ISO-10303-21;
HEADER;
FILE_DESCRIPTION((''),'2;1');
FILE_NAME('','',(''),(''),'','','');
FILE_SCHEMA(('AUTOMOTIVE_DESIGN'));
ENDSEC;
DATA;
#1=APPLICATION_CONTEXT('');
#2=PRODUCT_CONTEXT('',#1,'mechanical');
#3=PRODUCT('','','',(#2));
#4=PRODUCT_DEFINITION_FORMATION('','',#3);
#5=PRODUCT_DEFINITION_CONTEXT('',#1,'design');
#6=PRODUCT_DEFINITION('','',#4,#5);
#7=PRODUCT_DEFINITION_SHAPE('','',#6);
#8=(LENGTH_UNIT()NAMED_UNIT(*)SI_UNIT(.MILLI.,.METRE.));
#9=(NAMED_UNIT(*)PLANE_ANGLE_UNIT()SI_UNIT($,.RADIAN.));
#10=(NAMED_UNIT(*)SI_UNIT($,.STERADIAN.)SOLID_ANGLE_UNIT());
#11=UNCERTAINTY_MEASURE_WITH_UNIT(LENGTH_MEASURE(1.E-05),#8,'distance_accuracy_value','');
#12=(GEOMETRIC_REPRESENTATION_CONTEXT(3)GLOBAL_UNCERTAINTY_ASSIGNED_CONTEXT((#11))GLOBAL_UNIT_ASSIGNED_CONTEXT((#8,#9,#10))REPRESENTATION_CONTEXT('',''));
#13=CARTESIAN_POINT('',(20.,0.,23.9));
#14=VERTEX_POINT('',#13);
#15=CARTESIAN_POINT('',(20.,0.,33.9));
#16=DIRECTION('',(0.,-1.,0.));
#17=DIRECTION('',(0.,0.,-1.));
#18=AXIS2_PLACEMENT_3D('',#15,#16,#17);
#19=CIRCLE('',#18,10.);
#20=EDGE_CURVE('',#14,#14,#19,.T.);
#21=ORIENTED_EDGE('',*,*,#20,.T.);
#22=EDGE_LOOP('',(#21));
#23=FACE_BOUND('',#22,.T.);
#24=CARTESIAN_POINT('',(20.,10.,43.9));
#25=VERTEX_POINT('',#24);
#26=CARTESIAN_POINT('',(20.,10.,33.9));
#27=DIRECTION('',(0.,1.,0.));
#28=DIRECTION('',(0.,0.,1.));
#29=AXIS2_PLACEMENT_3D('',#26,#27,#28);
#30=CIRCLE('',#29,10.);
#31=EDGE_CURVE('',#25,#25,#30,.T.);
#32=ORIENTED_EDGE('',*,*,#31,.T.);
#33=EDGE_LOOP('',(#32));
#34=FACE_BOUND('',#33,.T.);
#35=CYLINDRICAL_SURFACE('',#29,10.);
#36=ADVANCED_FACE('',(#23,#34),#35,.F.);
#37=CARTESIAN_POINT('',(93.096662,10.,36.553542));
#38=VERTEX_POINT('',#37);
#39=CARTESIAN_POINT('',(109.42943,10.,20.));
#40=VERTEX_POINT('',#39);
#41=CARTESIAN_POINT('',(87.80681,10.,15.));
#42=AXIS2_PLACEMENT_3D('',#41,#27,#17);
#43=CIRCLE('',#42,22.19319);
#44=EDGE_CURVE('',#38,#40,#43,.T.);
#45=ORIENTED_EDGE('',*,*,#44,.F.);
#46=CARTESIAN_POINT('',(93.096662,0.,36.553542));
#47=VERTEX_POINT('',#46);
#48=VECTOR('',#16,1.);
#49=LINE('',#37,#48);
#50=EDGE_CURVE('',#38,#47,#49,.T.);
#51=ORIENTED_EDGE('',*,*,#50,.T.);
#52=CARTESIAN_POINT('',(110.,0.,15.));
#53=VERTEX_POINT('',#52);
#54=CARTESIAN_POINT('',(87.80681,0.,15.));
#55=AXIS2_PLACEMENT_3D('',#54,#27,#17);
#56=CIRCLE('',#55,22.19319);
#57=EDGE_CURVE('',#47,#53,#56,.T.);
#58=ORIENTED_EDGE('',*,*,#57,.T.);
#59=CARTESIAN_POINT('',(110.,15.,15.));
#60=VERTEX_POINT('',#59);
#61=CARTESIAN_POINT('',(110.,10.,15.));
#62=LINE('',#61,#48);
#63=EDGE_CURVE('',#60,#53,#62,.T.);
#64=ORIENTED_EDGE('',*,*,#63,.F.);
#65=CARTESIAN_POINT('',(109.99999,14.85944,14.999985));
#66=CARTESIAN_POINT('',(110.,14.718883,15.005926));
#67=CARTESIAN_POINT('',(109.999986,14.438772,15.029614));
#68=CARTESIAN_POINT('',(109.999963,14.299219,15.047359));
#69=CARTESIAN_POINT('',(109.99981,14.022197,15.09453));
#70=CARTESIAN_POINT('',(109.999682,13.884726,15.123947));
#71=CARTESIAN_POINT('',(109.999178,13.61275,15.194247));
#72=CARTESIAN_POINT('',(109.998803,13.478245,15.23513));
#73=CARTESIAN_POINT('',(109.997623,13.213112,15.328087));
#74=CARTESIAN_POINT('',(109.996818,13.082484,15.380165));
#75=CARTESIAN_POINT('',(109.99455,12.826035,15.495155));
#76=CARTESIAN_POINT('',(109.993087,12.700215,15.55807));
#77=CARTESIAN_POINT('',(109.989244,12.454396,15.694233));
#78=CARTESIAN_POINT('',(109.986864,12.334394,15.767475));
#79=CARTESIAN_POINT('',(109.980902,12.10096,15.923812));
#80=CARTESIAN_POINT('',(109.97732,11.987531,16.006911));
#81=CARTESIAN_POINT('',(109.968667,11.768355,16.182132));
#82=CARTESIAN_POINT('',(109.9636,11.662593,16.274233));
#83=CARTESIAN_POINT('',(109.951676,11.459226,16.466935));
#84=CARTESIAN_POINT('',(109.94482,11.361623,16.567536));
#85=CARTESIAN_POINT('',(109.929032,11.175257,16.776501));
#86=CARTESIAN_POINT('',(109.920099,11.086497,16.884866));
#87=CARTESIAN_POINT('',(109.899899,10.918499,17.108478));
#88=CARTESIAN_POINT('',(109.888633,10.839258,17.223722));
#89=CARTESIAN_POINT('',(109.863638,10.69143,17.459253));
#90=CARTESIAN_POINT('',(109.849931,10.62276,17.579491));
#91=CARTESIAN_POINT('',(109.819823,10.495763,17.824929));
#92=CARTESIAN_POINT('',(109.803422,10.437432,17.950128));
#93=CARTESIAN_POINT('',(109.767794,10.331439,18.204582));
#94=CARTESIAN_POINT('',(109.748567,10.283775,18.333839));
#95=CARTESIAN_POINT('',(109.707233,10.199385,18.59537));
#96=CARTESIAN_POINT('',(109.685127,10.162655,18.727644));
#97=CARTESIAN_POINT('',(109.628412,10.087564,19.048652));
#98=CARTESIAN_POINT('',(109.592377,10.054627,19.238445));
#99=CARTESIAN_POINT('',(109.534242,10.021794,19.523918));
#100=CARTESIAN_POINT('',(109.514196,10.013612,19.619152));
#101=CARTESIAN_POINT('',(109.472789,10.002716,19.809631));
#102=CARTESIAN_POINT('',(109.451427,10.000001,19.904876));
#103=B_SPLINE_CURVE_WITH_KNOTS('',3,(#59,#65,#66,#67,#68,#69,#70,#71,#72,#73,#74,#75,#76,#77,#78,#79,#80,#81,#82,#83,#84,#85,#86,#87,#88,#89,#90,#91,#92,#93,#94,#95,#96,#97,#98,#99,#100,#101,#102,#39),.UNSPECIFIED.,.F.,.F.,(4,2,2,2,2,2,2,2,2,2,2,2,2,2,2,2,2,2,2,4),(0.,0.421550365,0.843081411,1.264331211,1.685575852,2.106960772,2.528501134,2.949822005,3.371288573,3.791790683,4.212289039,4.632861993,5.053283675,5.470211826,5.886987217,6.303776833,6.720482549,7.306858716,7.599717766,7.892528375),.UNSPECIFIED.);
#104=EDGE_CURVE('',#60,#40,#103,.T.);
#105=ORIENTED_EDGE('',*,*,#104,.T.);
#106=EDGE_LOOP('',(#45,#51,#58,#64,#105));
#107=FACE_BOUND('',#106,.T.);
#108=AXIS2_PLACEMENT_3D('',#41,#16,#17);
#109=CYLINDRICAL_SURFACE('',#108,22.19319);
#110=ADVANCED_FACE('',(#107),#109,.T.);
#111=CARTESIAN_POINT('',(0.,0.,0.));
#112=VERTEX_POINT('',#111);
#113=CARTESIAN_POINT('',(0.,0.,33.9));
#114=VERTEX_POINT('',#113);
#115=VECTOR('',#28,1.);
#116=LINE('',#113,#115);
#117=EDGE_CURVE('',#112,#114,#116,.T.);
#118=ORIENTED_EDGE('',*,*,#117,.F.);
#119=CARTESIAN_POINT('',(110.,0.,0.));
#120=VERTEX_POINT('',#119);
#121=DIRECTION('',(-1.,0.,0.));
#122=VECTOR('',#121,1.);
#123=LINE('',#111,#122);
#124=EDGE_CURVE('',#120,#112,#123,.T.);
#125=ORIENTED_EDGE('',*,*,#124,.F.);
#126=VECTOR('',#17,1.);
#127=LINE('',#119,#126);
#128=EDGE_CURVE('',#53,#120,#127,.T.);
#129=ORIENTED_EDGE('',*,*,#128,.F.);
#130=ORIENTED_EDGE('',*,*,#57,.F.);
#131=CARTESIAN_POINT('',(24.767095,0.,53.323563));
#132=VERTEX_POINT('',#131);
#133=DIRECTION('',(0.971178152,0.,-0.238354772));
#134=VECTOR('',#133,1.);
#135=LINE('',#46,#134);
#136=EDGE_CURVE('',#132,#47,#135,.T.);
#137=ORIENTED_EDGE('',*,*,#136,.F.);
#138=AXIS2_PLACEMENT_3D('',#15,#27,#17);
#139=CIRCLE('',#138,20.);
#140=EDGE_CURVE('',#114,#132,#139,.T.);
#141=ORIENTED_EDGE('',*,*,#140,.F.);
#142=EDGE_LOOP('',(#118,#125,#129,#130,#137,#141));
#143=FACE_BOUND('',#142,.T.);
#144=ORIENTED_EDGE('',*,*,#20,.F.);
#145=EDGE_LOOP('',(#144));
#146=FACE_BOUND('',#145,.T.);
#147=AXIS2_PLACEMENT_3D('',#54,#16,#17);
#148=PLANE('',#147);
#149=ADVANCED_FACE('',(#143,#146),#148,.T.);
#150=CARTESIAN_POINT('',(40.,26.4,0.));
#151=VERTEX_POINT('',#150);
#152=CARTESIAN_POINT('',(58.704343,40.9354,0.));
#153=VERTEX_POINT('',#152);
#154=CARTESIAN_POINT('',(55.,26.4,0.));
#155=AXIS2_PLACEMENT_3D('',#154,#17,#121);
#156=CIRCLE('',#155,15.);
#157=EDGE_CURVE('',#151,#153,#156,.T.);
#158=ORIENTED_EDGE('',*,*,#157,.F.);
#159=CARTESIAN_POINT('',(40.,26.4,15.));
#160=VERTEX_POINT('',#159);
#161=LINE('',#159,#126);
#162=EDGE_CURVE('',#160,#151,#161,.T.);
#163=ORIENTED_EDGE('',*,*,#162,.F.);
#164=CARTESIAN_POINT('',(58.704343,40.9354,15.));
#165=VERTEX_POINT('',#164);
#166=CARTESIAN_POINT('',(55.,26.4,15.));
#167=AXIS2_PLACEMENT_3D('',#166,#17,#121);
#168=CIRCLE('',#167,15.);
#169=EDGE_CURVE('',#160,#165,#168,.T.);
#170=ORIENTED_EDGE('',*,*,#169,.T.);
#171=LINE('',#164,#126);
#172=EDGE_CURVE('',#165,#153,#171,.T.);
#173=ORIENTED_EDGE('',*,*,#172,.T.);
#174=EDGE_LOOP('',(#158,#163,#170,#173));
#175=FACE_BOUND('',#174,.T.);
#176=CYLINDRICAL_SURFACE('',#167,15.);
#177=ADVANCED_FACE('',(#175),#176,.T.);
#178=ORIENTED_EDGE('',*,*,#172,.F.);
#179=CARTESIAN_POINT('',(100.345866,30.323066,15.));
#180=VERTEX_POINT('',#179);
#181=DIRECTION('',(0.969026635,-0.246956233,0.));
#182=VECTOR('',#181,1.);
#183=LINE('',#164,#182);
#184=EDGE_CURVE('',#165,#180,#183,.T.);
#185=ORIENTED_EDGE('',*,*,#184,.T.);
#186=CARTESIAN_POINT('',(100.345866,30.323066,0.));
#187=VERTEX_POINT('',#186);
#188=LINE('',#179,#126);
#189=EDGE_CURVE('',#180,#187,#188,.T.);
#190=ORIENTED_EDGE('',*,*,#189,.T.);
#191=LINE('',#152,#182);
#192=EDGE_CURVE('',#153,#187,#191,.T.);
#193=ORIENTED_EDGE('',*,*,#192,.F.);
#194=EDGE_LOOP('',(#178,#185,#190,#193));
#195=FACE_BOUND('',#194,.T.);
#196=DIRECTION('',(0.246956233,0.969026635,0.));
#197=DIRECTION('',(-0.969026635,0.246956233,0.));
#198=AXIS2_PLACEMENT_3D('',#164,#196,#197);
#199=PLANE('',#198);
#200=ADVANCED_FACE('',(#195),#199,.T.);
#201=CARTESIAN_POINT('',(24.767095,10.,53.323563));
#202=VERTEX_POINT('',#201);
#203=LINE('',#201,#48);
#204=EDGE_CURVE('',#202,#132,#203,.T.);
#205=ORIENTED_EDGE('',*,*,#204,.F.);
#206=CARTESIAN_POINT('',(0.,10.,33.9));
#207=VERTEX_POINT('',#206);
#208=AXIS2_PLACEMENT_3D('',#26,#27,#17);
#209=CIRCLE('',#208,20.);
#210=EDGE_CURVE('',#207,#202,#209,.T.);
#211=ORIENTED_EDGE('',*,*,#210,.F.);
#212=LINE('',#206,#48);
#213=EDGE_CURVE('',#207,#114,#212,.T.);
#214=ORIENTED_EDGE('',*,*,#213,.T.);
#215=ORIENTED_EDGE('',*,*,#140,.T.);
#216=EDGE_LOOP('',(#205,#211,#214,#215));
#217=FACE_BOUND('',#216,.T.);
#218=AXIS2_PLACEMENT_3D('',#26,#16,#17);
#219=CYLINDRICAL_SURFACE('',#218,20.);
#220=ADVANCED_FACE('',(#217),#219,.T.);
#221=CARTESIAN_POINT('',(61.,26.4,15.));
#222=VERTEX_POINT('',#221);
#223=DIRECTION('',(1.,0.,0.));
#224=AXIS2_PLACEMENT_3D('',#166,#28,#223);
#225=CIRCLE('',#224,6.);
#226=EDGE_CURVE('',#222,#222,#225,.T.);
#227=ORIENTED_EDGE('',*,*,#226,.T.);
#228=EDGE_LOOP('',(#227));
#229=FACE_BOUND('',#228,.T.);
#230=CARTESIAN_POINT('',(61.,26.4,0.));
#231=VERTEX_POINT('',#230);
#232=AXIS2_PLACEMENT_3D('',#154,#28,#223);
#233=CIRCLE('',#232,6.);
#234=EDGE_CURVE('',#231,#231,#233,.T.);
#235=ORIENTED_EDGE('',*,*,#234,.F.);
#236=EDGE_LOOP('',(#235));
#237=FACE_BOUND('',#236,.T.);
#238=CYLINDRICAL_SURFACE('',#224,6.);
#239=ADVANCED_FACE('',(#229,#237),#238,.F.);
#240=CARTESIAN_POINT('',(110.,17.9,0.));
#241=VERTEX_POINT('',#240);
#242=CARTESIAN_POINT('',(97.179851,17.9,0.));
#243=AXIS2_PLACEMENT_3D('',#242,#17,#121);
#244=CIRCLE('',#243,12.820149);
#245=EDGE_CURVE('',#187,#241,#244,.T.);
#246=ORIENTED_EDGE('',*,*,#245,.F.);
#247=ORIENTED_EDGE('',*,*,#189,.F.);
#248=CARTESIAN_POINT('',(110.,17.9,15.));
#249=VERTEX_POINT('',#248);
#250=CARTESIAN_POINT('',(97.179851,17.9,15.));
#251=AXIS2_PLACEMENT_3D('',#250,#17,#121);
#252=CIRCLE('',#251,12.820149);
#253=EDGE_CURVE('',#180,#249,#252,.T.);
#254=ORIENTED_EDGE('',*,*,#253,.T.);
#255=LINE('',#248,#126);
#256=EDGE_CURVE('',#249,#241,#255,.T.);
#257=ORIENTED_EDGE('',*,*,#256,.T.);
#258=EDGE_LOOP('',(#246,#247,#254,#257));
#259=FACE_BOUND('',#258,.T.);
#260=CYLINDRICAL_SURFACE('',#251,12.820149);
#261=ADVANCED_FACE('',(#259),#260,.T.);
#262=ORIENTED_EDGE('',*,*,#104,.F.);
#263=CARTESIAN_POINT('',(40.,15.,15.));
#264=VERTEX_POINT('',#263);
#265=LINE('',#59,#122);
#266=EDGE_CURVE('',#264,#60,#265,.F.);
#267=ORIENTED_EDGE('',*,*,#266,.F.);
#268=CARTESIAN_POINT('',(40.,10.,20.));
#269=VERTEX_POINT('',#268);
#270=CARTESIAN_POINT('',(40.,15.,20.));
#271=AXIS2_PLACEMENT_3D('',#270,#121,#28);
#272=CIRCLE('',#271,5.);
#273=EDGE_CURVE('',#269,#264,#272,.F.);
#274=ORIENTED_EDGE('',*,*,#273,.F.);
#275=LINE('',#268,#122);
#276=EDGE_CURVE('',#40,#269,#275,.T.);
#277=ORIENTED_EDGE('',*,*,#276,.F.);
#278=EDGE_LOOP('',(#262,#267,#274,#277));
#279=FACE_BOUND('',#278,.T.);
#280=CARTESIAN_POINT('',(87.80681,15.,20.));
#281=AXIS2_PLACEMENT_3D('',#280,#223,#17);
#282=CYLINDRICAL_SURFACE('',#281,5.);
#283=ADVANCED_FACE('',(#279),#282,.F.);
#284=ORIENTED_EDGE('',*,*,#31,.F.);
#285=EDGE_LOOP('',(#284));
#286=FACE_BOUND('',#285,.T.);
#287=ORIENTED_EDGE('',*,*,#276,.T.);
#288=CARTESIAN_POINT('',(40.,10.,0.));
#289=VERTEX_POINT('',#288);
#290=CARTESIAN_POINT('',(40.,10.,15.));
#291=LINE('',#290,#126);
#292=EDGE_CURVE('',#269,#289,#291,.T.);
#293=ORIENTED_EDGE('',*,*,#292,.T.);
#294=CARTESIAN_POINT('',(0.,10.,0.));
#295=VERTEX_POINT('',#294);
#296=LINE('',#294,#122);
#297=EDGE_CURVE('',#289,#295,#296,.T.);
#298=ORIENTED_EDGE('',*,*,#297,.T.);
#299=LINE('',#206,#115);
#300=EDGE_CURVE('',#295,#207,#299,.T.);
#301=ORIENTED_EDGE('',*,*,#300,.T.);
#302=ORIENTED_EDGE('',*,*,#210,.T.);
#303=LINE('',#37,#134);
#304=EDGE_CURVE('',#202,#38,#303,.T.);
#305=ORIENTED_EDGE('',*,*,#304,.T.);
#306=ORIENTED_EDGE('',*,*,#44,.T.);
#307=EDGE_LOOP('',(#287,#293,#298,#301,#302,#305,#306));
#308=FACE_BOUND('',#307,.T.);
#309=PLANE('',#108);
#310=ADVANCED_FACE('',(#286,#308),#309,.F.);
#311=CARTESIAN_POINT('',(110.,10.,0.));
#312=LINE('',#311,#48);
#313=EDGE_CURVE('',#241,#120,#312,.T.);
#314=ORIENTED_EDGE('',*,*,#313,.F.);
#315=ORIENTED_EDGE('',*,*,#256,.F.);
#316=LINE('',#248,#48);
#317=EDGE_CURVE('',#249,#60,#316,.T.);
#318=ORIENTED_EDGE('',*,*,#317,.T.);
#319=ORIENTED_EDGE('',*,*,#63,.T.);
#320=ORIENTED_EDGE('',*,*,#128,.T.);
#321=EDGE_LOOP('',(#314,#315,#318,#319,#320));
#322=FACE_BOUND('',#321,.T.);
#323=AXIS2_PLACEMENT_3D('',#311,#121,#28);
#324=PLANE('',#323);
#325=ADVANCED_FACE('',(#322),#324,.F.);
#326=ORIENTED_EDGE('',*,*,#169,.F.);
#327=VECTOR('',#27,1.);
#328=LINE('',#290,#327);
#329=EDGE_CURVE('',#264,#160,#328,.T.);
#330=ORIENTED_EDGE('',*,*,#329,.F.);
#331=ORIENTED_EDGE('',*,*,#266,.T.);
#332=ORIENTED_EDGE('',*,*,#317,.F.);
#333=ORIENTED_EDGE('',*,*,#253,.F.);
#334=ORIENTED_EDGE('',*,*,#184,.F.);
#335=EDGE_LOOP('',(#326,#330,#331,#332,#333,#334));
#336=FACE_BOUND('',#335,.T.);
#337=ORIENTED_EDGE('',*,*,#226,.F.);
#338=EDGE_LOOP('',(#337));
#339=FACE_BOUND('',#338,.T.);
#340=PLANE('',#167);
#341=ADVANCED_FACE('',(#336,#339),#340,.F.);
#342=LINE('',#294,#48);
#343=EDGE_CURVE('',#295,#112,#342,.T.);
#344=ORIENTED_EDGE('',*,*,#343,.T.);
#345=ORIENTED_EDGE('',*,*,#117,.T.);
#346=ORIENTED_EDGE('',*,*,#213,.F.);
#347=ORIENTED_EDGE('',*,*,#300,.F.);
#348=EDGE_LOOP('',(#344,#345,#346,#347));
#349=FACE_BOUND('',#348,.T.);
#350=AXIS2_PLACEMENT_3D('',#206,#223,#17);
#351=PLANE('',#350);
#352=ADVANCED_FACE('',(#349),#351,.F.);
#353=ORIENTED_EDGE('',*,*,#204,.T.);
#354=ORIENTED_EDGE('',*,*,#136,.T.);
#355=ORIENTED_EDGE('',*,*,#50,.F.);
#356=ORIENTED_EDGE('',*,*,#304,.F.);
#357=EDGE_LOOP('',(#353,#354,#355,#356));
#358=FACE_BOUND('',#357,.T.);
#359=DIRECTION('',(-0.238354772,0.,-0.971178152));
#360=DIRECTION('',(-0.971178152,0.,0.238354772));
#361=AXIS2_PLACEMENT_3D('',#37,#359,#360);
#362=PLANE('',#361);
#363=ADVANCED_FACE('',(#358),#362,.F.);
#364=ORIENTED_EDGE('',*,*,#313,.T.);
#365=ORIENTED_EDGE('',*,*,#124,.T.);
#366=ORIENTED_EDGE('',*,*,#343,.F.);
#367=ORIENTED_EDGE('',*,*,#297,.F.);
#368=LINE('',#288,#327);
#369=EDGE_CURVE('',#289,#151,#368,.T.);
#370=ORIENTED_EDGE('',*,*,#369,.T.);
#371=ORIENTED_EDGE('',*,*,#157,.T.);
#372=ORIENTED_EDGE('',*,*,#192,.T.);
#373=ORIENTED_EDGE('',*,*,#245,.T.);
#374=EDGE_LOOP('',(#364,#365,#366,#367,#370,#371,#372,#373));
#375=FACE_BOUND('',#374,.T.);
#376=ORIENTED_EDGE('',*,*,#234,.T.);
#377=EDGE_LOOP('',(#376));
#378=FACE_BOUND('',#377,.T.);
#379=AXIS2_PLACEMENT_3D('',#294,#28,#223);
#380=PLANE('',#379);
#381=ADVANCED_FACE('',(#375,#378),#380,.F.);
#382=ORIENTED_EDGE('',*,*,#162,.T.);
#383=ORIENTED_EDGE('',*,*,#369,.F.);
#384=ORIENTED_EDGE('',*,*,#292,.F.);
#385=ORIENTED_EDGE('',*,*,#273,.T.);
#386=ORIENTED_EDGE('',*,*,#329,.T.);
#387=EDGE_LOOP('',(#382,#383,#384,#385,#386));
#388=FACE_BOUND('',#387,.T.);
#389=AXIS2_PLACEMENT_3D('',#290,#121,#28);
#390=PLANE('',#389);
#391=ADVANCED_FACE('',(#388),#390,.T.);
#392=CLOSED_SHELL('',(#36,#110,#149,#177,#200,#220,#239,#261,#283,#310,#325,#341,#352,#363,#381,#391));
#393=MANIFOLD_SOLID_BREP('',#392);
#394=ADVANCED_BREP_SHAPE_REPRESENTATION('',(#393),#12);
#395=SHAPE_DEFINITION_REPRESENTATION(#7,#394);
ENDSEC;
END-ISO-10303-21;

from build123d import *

# Parameters (mm, degrees)
BOSS_EXTRUDE1_DEPTH        = 10
BOSS_EXTRUDE2_DEPTH        = 15
F_20_0_20_DIAMETER_HOLE1_D = 20
F_12_0_12_DIAMETER_HOLE1_D = 12
FILLET1_R                  = 5


with BuildPart() as part:
    # Sketch2 → Boss-Extrude1 (new body)
    with BuildSketch(Plane(origin=(0, 0, 0), x_dir=(1, 0, 0), z_dir=(0, 1, 0))):
        with BuildLine():
            Line((0, 0), (110, 0))
            Line((110, 0), (110, -15))
            ThreePointArc((110, -15), (105.270148503, -28.695601287), (93.096662434, -36.553541647))
            Line((93.096662434, -36.553541647), (24.767095445, -53.323563036))
            ThreePointArc((24.767095445, -53.323563036), (7.657834649, -49.637565074), (0, -33.9))
            Line((0, -33.9), (0, 0))
        make_face()
    extrude(amount=BOSS_EXTRUDE1_DEPTH)

    # Sketch4 → Boss-Extrude2 (add)
    with BuildSketch(Plane(origin=(0, 0, 0), x_dir=(-1, 0, 0), z_dir=(0, 0, -1))):
        with BuildLine():
            Line((-110, 10), (-40, 10))
            Line((-40, 10), (-40, 26.4))
            ThreePointArc((-40, 26.4), (-45.795793145, 38.24409457), (-58.70434349, 40.935399523))
            Line((-58.70434349, 40.935399523), (-100.345866401, 30.323066228))
            ThreePointArc((-100.345866401, 30.323066228), (-107.302721394, 25.766620463), (-110, 17.9))
            Line((-110, 17.9), (-110, 10))
        make_face()
    extrude(amount=-BOSS_EXTRUDE2_DEPTH)

    # Ø20.0 (20) Diameter Hole1 (through all)
    with Locations(Plane(origin=(20, 10, 33.9), x_dir=(0, 0, 1), z_dir=(0, 1, 0))):
        with Locations((0, 0)):
            Hole(F_20_0_20_DIAMETER_HOLE1_D / 2)

    # Ø12.0 (12) Diameter Hole1 (through all)
    with Locations(Plane(origin=(55, 26.4, 15), x_dir=(1, 0, 0), z_dir=(0, 0, 1))):
        with Locations((0, 0)):
            Hole(F_12_0_12_DIAMETER_HOLE1_D / 2)

    # Fillet1
    fillet1_edges = [part.edges().sort_by_distance(p)[0] for p in [
        (75, 10, 15),
    ]]
    fillet(fillet1_edges, radius=FILLET1_R)


solid = part.part
